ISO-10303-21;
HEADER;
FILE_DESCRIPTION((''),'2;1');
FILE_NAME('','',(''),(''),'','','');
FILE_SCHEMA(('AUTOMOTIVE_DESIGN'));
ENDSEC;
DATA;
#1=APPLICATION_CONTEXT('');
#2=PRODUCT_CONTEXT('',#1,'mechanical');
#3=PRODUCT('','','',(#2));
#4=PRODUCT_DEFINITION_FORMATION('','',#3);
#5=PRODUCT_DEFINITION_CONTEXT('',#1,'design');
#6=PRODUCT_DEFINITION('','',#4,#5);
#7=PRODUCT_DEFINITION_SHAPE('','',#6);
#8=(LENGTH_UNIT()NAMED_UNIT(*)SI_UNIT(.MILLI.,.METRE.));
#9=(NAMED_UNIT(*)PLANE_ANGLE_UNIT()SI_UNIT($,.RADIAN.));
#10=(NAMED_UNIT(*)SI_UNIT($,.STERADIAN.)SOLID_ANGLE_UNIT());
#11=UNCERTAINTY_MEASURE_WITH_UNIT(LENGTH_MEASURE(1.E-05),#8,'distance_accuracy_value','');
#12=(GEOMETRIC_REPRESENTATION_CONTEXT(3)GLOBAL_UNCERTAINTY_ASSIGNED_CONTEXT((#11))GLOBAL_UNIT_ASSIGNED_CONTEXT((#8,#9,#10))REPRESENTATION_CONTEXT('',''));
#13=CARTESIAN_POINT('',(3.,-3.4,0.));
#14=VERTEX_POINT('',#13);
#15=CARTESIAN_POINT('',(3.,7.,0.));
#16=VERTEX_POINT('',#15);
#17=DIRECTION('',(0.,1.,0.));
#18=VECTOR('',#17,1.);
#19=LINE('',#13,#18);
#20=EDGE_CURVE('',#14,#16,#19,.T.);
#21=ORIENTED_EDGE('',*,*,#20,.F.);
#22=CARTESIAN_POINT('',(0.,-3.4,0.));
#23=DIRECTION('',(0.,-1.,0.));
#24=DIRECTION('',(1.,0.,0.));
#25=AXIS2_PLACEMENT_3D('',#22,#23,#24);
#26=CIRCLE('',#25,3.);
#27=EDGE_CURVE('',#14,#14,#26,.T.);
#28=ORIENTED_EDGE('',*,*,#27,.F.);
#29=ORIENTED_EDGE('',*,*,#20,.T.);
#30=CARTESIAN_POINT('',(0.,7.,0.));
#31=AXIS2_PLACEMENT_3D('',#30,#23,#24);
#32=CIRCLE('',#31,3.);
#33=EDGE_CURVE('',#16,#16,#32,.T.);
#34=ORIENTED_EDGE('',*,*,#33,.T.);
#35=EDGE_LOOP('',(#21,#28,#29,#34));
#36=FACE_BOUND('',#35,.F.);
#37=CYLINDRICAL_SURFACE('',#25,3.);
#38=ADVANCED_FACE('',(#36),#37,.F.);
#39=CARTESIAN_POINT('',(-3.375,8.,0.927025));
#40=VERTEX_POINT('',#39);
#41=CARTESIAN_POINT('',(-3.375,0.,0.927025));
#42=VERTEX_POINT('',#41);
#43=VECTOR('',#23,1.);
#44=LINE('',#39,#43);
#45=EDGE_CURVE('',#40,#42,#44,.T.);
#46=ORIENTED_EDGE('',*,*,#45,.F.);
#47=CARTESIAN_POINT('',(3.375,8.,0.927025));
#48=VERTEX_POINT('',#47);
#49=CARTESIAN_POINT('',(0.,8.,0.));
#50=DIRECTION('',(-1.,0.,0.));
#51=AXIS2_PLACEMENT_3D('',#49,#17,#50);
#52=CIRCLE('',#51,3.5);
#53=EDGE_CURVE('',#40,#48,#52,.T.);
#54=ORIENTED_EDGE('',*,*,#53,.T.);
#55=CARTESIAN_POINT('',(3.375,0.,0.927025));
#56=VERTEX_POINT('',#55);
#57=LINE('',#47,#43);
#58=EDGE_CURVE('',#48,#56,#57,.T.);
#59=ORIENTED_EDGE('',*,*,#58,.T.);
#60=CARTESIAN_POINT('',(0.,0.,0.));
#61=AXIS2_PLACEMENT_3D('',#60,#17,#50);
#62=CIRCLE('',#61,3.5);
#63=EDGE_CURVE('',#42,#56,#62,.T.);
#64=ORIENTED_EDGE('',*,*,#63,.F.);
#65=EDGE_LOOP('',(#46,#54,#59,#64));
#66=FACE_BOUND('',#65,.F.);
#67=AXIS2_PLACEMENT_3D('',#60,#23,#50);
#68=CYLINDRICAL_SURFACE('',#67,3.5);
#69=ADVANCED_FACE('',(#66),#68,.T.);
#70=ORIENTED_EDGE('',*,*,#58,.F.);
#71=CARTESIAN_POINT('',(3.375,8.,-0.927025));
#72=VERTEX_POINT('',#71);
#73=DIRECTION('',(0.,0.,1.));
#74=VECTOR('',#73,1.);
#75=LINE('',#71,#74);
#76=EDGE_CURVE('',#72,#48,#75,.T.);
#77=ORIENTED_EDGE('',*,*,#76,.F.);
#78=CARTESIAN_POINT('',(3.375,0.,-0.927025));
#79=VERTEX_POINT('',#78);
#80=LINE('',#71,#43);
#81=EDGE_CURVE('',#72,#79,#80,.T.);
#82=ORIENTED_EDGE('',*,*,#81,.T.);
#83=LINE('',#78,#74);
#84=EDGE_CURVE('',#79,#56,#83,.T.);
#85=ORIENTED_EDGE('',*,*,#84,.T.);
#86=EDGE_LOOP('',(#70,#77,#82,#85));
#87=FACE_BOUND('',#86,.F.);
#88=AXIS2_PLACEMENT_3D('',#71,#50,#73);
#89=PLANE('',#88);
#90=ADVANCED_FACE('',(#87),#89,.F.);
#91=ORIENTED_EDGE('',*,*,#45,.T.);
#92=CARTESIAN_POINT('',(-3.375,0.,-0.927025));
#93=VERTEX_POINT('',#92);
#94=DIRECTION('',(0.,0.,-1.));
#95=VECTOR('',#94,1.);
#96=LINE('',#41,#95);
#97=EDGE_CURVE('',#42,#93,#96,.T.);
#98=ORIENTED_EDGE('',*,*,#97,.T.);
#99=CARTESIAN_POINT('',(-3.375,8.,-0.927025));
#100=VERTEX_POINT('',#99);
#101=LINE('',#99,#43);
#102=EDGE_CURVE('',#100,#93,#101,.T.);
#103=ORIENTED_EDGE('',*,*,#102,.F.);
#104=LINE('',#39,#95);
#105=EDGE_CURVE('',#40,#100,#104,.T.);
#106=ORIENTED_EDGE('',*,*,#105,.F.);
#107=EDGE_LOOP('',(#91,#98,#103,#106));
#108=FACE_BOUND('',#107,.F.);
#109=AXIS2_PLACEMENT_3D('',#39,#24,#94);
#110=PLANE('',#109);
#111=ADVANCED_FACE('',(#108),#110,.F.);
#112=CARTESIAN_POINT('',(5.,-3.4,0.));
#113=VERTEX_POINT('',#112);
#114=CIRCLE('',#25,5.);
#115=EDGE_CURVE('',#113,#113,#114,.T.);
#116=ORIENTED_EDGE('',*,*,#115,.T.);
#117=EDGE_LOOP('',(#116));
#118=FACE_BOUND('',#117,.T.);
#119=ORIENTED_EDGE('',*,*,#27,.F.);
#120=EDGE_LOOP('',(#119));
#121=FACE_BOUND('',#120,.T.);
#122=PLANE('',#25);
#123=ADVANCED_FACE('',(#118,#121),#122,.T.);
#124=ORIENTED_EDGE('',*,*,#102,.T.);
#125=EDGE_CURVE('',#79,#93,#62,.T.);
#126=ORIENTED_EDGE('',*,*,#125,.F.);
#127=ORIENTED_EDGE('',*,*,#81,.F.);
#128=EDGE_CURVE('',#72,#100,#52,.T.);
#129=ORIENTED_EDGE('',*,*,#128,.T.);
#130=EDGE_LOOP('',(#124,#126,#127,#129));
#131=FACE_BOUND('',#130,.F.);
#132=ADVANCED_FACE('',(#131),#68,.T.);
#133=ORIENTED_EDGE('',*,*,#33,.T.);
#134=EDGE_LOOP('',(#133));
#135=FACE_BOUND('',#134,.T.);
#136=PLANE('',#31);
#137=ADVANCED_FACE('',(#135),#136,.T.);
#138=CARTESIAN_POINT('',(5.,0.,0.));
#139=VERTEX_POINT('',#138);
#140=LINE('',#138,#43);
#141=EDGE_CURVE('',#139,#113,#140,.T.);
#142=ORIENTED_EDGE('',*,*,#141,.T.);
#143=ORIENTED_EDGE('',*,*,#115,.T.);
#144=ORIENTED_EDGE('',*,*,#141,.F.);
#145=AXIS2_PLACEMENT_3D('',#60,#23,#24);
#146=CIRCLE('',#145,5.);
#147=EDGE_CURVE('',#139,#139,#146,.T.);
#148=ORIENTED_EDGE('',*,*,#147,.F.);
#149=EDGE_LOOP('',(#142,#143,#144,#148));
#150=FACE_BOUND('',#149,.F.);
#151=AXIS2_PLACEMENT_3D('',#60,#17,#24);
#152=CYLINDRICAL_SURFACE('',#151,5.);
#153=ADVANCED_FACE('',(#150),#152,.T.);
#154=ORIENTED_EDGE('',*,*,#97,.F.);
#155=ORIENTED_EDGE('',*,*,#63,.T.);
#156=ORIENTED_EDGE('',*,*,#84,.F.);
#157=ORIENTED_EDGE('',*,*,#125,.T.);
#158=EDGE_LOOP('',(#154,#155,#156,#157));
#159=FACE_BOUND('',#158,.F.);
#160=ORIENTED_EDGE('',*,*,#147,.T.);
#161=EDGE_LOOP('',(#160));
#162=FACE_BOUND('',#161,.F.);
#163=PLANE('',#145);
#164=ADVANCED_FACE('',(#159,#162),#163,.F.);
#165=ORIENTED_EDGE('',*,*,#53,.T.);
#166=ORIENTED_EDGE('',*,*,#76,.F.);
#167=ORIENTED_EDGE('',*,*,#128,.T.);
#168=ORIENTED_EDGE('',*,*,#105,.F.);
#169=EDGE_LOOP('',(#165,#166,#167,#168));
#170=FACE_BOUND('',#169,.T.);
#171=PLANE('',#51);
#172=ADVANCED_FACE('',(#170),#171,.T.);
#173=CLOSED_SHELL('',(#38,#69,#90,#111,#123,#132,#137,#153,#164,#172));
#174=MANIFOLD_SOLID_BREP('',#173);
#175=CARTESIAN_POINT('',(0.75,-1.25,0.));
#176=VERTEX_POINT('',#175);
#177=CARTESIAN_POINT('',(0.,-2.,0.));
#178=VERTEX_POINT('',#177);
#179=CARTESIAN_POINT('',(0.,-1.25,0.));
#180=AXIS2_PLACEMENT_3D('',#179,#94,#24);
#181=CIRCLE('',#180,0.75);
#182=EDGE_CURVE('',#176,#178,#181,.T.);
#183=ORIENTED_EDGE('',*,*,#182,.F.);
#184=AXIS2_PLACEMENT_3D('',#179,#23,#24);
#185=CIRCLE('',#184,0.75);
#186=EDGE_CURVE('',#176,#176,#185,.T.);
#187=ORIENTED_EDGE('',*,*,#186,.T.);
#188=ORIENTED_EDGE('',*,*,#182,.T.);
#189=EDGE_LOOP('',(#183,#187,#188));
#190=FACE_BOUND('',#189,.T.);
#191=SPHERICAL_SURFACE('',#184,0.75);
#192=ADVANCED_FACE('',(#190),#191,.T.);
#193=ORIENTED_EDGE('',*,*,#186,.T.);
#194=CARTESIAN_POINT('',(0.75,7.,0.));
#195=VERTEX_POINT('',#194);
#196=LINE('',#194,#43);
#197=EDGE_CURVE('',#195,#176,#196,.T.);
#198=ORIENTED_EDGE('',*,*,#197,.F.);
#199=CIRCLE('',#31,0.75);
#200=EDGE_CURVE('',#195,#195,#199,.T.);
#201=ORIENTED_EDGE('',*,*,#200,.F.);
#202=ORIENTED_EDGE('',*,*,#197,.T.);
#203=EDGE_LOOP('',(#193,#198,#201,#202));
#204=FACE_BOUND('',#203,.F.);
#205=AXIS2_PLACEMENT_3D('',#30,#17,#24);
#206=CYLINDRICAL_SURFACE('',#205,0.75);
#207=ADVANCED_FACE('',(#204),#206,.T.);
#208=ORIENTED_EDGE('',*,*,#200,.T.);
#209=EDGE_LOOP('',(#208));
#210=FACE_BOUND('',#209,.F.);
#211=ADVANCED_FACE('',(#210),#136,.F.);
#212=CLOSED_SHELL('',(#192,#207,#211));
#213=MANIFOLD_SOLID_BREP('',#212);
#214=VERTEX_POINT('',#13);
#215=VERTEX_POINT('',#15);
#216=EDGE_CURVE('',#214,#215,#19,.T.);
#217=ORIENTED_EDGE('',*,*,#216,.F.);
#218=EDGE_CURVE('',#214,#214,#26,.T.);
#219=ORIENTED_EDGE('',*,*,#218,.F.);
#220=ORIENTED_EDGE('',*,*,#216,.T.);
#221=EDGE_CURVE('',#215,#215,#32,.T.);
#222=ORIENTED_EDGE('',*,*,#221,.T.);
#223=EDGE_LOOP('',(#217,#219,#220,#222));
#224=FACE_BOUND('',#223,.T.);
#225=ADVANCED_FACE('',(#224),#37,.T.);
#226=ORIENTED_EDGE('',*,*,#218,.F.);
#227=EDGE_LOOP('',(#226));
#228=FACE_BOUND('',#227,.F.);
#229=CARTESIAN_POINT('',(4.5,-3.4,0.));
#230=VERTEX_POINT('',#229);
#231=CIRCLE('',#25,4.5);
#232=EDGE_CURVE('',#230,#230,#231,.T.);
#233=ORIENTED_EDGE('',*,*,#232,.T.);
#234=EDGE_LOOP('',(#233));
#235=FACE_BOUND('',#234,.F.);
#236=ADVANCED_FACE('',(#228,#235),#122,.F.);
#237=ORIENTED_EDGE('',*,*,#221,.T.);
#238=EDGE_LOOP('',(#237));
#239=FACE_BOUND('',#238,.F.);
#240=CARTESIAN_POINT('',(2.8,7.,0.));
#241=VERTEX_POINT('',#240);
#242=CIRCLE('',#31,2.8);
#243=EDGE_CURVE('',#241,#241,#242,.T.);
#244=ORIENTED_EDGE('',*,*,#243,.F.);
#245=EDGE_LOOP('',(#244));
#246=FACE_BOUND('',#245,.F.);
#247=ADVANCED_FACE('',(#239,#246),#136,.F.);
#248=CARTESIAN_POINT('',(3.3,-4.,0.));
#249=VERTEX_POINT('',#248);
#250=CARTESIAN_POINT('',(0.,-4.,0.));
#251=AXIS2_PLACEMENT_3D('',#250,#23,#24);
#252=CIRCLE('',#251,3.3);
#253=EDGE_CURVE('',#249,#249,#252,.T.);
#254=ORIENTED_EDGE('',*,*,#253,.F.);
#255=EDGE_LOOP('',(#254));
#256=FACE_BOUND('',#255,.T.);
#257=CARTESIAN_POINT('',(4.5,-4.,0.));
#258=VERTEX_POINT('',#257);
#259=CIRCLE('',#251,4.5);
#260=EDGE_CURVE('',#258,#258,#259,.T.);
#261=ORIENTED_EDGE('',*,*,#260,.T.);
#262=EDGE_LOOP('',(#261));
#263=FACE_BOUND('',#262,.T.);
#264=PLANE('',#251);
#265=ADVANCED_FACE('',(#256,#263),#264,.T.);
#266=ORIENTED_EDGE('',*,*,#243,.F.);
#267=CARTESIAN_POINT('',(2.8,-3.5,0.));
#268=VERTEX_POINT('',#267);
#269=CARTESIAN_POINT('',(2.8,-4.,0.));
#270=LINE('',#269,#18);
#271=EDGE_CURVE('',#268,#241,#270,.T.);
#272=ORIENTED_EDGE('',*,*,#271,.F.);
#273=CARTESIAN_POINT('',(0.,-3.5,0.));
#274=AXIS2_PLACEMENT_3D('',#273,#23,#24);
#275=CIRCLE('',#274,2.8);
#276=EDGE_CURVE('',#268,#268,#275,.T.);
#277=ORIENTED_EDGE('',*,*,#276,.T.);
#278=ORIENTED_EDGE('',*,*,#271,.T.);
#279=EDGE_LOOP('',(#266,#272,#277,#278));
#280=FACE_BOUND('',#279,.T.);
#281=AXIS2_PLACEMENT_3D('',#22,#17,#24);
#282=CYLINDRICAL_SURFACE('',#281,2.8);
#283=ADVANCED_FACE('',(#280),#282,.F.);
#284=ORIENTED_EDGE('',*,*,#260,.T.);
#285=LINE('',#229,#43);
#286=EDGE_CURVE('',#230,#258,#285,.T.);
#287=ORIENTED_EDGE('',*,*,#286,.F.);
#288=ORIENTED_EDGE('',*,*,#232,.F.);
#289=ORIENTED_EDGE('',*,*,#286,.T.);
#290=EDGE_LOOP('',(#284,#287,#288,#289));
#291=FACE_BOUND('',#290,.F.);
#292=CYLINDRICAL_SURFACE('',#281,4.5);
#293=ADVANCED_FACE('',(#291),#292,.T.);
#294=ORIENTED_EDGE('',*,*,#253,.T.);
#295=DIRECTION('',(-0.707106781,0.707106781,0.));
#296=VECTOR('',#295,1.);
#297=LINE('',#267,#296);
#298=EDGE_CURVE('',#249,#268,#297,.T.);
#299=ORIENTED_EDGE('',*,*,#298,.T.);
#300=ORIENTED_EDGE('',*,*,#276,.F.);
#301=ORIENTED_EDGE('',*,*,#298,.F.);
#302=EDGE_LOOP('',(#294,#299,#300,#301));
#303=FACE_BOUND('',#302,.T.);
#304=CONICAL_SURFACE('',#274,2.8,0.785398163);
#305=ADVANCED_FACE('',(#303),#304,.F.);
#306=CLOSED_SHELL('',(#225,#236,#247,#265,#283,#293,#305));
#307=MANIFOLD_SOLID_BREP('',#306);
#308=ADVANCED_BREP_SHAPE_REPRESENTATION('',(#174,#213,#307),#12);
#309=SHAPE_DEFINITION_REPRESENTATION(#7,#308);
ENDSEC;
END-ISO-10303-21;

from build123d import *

# Parameters (mm, degrees)
F0_R      = 5
F1_DEPTH  = 3.4
F2_R      = 3.5
F3_DEPTH  = 8
F5_DEPTH  = 8
F6_R      = 3
F7_DEPTH  = 10.4
F8_R      = 3
F8_R_2    = 2.8
F9_DEPTH  = 10.4
F10_R     = 4.5
F10_R_2   = 3
F10_R_3   = 2.8
F11_DEPTH = 0.6
F12_SIZE  = 0.5
F13_R     = 0.75
F14_DEPTH = 9
F15_R     = 0.75


with BuildPart() as f1:
    # F0 (on Front) → F1 (new body)
    with BuildSketch(Plane.XZ):
        Circle(F0_R)
    extrude(amount=F1_DEPTH)

    # F2 (on face) → F3 (join)
    with BuildSketch(Plane(origin=(0, 0, 0), x_dir=(-1, 0, 0), z_dir=(0, 1, 0))):
        Circle(F2_R)
    extrude(amount=F3_DEPTH)

    # F4 (on face) → F5 (cut, through all)
    with BuildSketch(Plane(origin=(0, 8, 0), x_dir=(-1, 0, 0), z_dir=(0, 1, 0))):
        with BuildLine():
            Line((3.375, 0.9270248109), (3.375, -0.9270248109))
            ThreePointArc((3.375, -0.9270248109), (3.4686092314, -0.4677071733), (3.5, 0))
            ThreePointArc((3.5, 0), (3.4686092314, 0.4677071733), (3.375, 0.9270248109))
        make_face()
        with BuildLine():
            ThreePointArc((-3.375, 0.9270248109), (-3.5, 0), (-3.375, -0.9270248109))
            Line((-3.375, -0.9270248109), (-3.375, 0.9270248109))
        make_face()
    extrude(amount=-F5_DEPTH, mode=Mode.SUBTRACT)

    # F6 (on face) → F7 (cut, through all)
    with BuildSketch(Plane.XZ.offset(3.4)):
        Circle(F6_R)
    extrude(amount=-F7_DEPTH, mode=Mode.SUBTRACT)


with BuildPart() as f9:
    # F8 (on face) → F9 (new body, through all)
    with BuildSketch(Plane.XZ.offset(3.4)):
        Circle(F8_R)
        Circle(F8_R_2, mode=Mode.SUBTRACT)
    extrude(amount=-F9_DEPTH)

    # F10 (on face) → F11 (join)
    with BuildSketch(Plane.XZ.offset(3.4)):
        Circle(F10_R)
        Circle(F10_R_2, mode=Mode.SUBTRACT)
        Circle(F10_R_2)
        Circle(F10_R_3, mode=Mode.SUBTRACT)
    extrude(amount=F11_DEPTH)

    # F12
    f12_edges = [f9.edges().sort_by_distance(p)[0] for p in [
        (-2.8, -4, 0),
    ]]
    chamfer(f12_edges, length=F12_SIZE)


with BuildPart() as f14:
    # F13 (on face) → F14 (new body)
    with BuildSketch(Plane.XZ.offset(-7)):
        Circle(F13_R)
    extrude(amount=F14_DEPTH)

    # F15
    f15_edges = [f14.edges().sort_by_distance(p)[0] for p in [
        (-0.75, -2, 0),
    ]]
    fillet(f15_edges, radius=F15_R)


solid = Compound([f1.part, f9.part, f14.part])
